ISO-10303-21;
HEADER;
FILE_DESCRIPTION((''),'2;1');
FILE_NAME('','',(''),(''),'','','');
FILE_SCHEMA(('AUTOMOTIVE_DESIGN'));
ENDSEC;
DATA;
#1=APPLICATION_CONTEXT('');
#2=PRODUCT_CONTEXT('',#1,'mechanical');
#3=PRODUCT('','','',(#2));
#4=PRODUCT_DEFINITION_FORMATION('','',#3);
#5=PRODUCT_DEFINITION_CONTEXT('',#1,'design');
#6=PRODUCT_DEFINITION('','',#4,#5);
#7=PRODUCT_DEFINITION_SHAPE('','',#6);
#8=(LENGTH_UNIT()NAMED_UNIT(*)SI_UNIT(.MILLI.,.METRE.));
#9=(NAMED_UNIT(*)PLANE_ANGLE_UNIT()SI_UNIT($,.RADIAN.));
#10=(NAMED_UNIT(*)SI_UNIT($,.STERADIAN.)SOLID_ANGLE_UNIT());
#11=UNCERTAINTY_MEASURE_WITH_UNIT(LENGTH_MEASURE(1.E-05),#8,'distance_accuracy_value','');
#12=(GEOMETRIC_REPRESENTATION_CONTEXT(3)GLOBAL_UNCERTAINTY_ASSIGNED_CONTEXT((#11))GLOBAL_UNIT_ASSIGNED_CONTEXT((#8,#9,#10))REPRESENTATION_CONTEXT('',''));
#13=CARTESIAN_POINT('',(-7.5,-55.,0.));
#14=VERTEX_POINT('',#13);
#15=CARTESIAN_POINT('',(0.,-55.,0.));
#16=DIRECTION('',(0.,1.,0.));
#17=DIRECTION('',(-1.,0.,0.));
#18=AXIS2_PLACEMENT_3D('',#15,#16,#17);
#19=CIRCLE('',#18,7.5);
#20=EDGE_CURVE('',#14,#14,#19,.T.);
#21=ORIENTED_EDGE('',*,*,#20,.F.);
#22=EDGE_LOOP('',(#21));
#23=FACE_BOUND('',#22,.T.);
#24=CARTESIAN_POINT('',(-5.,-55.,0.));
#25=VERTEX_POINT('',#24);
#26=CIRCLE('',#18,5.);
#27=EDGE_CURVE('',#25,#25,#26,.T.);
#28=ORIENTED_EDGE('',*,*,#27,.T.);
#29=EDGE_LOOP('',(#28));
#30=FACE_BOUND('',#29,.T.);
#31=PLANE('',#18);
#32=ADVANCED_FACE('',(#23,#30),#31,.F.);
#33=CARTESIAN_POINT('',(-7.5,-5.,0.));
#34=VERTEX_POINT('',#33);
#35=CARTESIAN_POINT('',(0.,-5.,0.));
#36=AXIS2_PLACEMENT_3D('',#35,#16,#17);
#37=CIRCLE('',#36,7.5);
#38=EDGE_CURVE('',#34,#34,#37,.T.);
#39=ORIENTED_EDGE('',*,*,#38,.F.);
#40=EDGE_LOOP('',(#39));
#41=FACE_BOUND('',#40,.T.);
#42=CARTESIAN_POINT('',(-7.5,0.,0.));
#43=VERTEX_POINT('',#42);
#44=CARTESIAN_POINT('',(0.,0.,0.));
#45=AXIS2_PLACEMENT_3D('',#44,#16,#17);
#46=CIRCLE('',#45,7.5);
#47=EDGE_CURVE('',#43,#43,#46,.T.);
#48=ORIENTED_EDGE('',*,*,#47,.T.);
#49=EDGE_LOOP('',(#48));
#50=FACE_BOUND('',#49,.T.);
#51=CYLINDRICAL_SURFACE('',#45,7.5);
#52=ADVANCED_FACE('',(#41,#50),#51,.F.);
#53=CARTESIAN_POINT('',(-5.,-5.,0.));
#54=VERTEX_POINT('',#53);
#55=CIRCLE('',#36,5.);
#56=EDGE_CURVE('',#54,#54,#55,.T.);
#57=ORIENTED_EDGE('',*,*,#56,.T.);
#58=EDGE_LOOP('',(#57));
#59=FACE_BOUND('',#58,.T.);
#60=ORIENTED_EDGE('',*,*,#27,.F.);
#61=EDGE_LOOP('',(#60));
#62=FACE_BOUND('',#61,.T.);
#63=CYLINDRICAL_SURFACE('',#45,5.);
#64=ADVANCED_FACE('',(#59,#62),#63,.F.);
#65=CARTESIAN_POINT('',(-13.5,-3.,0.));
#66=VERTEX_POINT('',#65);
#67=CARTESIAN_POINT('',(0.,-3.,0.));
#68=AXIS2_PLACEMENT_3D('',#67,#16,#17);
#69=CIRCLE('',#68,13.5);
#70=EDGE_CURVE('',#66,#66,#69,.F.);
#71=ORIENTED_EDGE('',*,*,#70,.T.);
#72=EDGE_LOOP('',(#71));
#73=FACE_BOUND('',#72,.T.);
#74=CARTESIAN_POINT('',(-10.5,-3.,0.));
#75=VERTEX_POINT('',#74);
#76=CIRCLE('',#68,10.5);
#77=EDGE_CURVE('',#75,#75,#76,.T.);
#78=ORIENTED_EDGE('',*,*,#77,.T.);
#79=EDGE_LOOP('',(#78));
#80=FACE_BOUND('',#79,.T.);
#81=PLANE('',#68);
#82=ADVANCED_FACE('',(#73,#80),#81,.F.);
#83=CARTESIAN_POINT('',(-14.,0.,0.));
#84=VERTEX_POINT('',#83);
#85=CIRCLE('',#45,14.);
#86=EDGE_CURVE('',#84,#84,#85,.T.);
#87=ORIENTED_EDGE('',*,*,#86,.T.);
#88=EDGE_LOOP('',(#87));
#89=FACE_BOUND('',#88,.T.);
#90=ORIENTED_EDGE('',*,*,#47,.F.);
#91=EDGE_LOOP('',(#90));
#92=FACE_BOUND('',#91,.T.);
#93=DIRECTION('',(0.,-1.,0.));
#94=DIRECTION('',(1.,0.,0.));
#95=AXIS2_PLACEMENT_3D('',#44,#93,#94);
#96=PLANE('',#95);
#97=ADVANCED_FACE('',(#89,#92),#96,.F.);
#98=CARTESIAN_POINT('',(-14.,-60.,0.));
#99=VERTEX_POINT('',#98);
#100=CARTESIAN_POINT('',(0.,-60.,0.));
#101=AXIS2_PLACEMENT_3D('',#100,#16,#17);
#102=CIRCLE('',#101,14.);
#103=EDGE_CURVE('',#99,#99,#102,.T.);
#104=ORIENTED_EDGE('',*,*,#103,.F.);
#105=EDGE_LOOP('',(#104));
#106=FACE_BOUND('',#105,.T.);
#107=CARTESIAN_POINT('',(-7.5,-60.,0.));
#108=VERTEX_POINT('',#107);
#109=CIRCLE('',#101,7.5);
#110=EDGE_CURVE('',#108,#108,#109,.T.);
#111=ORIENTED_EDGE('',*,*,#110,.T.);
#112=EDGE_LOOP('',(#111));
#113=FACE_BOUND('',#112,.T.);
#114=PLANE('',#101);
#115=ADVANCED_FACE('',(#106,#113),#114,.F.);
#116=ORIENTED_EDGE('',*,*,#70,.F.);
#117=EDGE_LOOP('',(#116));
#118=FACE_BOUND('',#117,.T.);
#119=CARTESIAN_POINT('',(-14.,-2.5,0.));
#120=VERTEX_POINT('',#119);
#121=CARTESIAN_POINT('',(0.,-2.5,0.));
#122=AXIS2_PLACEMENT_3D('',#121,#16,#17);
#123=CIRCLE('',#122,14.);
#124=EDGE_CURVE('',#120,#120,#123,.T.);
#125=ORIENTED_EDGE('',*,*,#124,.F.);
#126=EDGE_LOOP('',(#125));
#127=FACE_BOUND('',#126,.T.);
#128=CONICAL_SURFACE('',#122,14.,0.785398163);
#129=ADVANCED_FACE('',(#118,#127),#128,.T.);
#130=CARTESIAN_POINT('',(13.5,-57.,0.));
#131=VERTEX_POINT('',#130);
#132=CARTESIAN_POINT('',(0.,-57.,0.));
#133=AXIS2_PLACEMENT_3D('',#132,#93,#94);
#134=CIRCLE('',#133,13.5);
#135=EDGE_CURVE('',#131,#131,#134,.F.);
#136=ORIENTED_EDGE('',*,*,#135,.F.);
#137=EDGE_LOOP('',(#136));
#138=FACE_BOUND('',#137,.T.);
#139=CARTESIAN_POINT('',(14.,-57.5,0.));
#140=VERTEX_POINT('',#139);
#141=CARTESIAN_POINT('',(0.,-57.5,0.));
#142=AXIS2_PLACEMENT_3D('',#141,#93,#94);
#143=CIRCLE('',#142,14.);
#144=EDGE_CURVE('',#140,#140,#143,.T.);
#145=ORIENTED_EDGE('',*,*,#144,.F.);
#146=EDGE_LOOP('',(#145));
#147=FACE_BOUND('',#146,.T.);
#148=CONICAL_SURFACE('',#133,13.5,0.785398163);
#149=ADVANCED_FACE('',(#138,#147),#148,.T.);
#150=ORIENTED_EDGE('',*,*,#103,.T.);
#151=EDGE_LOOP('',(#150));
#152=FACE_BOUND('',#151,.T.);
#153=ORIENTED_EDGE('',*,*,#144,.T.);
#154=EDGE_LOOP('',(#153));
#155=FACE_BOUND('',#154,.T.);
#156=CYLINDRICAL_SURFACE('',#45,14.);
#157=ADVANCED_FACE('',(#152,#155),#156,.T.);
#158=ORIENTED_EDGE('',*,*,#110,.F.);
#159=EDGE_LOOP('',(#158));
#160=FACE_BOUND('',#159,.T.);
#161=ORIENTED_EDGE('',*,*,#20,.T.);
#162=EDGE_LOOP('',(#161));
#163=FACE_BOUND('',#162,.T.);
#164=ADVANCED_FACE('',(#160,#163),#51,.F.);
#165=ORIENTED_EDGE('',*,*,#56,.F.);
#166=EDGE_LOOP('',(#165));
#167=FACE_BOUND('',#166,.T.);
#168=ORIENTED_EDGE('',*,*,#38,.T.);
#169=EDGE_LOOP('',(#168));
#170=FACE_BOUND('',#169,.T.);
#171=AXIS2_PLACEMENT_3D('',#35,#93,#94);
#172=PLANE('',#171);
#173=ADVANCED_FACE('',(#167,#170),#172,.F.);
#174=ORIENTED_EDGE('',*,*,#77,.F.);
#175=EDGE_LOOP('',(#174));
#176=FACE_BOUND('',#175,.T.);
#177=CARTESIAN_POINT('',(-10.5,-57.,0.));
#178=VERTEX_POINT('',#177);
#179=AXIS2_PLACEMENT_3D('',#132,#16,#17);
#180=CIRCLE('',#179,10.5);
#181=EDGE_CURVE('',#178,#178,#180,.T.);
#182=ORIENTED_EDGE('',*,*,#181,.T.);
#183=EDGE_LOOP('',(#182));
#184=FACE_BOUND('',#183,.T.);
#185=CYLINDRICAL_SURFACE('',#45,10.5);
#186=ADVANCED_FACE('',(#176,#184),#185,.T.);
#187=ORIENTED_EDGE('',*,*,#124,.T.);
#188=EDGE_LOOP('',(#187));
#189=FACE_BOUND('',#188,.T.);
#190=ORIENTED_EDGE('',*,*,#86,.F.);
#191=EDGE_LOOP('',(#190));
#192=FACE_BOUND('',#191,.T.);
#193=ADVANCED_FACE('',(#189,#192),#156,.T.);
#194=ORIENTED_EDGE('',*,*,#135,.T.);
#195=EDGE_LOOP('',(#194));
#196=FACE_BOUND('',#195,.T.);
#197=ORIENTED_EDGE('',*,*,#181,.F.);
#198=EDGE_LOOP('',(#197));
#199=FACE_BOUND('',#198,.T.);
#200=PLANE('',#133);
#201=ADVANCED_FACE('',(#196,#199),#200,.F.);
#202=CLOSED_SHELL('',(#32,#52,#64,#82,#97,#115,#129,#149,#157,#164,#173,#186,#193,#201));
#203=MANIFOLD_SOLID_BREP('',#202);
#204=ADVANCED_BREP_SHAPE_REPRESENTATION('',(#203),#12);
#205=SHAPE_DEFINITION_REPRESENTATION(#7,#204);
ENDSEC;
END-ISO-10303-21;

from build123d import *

# Parameters (mm, degrees)
CHAMFER_1_SIZE = 0.5


with BuildPart() as part:
    # 草图1 → 旋转1 (revolve)
    with BuildSketch(Plane.XY, mode=Mode.PRIVATE) as revolve_1_sk:
        Polygon((7.5, -55), (7.5, -60), (14, -60), (14, -57), (10.5, -57), (10.5, -3), (14, -3), (14, 0), (7.5, 0), (7.5, -5), (5, -5), (5, -55), align=None)
    revolve(revolve_1_sk.sketch.rotate(Axis((0, 0, 0), (0, -1, 0)), 180), axis=Axis((0, 0, 0), (0, -1, 0)))

    # 倒角1
    chamfer_1_edges = [part.edges().sort_by_distance(p)[0] for p in [
        (14, -3, 0),
        (14, -57, 0),
    ]]
    chamfer(chamfer_1_edges, length=CHAMFER_1_SIZE)


solid = part.part
